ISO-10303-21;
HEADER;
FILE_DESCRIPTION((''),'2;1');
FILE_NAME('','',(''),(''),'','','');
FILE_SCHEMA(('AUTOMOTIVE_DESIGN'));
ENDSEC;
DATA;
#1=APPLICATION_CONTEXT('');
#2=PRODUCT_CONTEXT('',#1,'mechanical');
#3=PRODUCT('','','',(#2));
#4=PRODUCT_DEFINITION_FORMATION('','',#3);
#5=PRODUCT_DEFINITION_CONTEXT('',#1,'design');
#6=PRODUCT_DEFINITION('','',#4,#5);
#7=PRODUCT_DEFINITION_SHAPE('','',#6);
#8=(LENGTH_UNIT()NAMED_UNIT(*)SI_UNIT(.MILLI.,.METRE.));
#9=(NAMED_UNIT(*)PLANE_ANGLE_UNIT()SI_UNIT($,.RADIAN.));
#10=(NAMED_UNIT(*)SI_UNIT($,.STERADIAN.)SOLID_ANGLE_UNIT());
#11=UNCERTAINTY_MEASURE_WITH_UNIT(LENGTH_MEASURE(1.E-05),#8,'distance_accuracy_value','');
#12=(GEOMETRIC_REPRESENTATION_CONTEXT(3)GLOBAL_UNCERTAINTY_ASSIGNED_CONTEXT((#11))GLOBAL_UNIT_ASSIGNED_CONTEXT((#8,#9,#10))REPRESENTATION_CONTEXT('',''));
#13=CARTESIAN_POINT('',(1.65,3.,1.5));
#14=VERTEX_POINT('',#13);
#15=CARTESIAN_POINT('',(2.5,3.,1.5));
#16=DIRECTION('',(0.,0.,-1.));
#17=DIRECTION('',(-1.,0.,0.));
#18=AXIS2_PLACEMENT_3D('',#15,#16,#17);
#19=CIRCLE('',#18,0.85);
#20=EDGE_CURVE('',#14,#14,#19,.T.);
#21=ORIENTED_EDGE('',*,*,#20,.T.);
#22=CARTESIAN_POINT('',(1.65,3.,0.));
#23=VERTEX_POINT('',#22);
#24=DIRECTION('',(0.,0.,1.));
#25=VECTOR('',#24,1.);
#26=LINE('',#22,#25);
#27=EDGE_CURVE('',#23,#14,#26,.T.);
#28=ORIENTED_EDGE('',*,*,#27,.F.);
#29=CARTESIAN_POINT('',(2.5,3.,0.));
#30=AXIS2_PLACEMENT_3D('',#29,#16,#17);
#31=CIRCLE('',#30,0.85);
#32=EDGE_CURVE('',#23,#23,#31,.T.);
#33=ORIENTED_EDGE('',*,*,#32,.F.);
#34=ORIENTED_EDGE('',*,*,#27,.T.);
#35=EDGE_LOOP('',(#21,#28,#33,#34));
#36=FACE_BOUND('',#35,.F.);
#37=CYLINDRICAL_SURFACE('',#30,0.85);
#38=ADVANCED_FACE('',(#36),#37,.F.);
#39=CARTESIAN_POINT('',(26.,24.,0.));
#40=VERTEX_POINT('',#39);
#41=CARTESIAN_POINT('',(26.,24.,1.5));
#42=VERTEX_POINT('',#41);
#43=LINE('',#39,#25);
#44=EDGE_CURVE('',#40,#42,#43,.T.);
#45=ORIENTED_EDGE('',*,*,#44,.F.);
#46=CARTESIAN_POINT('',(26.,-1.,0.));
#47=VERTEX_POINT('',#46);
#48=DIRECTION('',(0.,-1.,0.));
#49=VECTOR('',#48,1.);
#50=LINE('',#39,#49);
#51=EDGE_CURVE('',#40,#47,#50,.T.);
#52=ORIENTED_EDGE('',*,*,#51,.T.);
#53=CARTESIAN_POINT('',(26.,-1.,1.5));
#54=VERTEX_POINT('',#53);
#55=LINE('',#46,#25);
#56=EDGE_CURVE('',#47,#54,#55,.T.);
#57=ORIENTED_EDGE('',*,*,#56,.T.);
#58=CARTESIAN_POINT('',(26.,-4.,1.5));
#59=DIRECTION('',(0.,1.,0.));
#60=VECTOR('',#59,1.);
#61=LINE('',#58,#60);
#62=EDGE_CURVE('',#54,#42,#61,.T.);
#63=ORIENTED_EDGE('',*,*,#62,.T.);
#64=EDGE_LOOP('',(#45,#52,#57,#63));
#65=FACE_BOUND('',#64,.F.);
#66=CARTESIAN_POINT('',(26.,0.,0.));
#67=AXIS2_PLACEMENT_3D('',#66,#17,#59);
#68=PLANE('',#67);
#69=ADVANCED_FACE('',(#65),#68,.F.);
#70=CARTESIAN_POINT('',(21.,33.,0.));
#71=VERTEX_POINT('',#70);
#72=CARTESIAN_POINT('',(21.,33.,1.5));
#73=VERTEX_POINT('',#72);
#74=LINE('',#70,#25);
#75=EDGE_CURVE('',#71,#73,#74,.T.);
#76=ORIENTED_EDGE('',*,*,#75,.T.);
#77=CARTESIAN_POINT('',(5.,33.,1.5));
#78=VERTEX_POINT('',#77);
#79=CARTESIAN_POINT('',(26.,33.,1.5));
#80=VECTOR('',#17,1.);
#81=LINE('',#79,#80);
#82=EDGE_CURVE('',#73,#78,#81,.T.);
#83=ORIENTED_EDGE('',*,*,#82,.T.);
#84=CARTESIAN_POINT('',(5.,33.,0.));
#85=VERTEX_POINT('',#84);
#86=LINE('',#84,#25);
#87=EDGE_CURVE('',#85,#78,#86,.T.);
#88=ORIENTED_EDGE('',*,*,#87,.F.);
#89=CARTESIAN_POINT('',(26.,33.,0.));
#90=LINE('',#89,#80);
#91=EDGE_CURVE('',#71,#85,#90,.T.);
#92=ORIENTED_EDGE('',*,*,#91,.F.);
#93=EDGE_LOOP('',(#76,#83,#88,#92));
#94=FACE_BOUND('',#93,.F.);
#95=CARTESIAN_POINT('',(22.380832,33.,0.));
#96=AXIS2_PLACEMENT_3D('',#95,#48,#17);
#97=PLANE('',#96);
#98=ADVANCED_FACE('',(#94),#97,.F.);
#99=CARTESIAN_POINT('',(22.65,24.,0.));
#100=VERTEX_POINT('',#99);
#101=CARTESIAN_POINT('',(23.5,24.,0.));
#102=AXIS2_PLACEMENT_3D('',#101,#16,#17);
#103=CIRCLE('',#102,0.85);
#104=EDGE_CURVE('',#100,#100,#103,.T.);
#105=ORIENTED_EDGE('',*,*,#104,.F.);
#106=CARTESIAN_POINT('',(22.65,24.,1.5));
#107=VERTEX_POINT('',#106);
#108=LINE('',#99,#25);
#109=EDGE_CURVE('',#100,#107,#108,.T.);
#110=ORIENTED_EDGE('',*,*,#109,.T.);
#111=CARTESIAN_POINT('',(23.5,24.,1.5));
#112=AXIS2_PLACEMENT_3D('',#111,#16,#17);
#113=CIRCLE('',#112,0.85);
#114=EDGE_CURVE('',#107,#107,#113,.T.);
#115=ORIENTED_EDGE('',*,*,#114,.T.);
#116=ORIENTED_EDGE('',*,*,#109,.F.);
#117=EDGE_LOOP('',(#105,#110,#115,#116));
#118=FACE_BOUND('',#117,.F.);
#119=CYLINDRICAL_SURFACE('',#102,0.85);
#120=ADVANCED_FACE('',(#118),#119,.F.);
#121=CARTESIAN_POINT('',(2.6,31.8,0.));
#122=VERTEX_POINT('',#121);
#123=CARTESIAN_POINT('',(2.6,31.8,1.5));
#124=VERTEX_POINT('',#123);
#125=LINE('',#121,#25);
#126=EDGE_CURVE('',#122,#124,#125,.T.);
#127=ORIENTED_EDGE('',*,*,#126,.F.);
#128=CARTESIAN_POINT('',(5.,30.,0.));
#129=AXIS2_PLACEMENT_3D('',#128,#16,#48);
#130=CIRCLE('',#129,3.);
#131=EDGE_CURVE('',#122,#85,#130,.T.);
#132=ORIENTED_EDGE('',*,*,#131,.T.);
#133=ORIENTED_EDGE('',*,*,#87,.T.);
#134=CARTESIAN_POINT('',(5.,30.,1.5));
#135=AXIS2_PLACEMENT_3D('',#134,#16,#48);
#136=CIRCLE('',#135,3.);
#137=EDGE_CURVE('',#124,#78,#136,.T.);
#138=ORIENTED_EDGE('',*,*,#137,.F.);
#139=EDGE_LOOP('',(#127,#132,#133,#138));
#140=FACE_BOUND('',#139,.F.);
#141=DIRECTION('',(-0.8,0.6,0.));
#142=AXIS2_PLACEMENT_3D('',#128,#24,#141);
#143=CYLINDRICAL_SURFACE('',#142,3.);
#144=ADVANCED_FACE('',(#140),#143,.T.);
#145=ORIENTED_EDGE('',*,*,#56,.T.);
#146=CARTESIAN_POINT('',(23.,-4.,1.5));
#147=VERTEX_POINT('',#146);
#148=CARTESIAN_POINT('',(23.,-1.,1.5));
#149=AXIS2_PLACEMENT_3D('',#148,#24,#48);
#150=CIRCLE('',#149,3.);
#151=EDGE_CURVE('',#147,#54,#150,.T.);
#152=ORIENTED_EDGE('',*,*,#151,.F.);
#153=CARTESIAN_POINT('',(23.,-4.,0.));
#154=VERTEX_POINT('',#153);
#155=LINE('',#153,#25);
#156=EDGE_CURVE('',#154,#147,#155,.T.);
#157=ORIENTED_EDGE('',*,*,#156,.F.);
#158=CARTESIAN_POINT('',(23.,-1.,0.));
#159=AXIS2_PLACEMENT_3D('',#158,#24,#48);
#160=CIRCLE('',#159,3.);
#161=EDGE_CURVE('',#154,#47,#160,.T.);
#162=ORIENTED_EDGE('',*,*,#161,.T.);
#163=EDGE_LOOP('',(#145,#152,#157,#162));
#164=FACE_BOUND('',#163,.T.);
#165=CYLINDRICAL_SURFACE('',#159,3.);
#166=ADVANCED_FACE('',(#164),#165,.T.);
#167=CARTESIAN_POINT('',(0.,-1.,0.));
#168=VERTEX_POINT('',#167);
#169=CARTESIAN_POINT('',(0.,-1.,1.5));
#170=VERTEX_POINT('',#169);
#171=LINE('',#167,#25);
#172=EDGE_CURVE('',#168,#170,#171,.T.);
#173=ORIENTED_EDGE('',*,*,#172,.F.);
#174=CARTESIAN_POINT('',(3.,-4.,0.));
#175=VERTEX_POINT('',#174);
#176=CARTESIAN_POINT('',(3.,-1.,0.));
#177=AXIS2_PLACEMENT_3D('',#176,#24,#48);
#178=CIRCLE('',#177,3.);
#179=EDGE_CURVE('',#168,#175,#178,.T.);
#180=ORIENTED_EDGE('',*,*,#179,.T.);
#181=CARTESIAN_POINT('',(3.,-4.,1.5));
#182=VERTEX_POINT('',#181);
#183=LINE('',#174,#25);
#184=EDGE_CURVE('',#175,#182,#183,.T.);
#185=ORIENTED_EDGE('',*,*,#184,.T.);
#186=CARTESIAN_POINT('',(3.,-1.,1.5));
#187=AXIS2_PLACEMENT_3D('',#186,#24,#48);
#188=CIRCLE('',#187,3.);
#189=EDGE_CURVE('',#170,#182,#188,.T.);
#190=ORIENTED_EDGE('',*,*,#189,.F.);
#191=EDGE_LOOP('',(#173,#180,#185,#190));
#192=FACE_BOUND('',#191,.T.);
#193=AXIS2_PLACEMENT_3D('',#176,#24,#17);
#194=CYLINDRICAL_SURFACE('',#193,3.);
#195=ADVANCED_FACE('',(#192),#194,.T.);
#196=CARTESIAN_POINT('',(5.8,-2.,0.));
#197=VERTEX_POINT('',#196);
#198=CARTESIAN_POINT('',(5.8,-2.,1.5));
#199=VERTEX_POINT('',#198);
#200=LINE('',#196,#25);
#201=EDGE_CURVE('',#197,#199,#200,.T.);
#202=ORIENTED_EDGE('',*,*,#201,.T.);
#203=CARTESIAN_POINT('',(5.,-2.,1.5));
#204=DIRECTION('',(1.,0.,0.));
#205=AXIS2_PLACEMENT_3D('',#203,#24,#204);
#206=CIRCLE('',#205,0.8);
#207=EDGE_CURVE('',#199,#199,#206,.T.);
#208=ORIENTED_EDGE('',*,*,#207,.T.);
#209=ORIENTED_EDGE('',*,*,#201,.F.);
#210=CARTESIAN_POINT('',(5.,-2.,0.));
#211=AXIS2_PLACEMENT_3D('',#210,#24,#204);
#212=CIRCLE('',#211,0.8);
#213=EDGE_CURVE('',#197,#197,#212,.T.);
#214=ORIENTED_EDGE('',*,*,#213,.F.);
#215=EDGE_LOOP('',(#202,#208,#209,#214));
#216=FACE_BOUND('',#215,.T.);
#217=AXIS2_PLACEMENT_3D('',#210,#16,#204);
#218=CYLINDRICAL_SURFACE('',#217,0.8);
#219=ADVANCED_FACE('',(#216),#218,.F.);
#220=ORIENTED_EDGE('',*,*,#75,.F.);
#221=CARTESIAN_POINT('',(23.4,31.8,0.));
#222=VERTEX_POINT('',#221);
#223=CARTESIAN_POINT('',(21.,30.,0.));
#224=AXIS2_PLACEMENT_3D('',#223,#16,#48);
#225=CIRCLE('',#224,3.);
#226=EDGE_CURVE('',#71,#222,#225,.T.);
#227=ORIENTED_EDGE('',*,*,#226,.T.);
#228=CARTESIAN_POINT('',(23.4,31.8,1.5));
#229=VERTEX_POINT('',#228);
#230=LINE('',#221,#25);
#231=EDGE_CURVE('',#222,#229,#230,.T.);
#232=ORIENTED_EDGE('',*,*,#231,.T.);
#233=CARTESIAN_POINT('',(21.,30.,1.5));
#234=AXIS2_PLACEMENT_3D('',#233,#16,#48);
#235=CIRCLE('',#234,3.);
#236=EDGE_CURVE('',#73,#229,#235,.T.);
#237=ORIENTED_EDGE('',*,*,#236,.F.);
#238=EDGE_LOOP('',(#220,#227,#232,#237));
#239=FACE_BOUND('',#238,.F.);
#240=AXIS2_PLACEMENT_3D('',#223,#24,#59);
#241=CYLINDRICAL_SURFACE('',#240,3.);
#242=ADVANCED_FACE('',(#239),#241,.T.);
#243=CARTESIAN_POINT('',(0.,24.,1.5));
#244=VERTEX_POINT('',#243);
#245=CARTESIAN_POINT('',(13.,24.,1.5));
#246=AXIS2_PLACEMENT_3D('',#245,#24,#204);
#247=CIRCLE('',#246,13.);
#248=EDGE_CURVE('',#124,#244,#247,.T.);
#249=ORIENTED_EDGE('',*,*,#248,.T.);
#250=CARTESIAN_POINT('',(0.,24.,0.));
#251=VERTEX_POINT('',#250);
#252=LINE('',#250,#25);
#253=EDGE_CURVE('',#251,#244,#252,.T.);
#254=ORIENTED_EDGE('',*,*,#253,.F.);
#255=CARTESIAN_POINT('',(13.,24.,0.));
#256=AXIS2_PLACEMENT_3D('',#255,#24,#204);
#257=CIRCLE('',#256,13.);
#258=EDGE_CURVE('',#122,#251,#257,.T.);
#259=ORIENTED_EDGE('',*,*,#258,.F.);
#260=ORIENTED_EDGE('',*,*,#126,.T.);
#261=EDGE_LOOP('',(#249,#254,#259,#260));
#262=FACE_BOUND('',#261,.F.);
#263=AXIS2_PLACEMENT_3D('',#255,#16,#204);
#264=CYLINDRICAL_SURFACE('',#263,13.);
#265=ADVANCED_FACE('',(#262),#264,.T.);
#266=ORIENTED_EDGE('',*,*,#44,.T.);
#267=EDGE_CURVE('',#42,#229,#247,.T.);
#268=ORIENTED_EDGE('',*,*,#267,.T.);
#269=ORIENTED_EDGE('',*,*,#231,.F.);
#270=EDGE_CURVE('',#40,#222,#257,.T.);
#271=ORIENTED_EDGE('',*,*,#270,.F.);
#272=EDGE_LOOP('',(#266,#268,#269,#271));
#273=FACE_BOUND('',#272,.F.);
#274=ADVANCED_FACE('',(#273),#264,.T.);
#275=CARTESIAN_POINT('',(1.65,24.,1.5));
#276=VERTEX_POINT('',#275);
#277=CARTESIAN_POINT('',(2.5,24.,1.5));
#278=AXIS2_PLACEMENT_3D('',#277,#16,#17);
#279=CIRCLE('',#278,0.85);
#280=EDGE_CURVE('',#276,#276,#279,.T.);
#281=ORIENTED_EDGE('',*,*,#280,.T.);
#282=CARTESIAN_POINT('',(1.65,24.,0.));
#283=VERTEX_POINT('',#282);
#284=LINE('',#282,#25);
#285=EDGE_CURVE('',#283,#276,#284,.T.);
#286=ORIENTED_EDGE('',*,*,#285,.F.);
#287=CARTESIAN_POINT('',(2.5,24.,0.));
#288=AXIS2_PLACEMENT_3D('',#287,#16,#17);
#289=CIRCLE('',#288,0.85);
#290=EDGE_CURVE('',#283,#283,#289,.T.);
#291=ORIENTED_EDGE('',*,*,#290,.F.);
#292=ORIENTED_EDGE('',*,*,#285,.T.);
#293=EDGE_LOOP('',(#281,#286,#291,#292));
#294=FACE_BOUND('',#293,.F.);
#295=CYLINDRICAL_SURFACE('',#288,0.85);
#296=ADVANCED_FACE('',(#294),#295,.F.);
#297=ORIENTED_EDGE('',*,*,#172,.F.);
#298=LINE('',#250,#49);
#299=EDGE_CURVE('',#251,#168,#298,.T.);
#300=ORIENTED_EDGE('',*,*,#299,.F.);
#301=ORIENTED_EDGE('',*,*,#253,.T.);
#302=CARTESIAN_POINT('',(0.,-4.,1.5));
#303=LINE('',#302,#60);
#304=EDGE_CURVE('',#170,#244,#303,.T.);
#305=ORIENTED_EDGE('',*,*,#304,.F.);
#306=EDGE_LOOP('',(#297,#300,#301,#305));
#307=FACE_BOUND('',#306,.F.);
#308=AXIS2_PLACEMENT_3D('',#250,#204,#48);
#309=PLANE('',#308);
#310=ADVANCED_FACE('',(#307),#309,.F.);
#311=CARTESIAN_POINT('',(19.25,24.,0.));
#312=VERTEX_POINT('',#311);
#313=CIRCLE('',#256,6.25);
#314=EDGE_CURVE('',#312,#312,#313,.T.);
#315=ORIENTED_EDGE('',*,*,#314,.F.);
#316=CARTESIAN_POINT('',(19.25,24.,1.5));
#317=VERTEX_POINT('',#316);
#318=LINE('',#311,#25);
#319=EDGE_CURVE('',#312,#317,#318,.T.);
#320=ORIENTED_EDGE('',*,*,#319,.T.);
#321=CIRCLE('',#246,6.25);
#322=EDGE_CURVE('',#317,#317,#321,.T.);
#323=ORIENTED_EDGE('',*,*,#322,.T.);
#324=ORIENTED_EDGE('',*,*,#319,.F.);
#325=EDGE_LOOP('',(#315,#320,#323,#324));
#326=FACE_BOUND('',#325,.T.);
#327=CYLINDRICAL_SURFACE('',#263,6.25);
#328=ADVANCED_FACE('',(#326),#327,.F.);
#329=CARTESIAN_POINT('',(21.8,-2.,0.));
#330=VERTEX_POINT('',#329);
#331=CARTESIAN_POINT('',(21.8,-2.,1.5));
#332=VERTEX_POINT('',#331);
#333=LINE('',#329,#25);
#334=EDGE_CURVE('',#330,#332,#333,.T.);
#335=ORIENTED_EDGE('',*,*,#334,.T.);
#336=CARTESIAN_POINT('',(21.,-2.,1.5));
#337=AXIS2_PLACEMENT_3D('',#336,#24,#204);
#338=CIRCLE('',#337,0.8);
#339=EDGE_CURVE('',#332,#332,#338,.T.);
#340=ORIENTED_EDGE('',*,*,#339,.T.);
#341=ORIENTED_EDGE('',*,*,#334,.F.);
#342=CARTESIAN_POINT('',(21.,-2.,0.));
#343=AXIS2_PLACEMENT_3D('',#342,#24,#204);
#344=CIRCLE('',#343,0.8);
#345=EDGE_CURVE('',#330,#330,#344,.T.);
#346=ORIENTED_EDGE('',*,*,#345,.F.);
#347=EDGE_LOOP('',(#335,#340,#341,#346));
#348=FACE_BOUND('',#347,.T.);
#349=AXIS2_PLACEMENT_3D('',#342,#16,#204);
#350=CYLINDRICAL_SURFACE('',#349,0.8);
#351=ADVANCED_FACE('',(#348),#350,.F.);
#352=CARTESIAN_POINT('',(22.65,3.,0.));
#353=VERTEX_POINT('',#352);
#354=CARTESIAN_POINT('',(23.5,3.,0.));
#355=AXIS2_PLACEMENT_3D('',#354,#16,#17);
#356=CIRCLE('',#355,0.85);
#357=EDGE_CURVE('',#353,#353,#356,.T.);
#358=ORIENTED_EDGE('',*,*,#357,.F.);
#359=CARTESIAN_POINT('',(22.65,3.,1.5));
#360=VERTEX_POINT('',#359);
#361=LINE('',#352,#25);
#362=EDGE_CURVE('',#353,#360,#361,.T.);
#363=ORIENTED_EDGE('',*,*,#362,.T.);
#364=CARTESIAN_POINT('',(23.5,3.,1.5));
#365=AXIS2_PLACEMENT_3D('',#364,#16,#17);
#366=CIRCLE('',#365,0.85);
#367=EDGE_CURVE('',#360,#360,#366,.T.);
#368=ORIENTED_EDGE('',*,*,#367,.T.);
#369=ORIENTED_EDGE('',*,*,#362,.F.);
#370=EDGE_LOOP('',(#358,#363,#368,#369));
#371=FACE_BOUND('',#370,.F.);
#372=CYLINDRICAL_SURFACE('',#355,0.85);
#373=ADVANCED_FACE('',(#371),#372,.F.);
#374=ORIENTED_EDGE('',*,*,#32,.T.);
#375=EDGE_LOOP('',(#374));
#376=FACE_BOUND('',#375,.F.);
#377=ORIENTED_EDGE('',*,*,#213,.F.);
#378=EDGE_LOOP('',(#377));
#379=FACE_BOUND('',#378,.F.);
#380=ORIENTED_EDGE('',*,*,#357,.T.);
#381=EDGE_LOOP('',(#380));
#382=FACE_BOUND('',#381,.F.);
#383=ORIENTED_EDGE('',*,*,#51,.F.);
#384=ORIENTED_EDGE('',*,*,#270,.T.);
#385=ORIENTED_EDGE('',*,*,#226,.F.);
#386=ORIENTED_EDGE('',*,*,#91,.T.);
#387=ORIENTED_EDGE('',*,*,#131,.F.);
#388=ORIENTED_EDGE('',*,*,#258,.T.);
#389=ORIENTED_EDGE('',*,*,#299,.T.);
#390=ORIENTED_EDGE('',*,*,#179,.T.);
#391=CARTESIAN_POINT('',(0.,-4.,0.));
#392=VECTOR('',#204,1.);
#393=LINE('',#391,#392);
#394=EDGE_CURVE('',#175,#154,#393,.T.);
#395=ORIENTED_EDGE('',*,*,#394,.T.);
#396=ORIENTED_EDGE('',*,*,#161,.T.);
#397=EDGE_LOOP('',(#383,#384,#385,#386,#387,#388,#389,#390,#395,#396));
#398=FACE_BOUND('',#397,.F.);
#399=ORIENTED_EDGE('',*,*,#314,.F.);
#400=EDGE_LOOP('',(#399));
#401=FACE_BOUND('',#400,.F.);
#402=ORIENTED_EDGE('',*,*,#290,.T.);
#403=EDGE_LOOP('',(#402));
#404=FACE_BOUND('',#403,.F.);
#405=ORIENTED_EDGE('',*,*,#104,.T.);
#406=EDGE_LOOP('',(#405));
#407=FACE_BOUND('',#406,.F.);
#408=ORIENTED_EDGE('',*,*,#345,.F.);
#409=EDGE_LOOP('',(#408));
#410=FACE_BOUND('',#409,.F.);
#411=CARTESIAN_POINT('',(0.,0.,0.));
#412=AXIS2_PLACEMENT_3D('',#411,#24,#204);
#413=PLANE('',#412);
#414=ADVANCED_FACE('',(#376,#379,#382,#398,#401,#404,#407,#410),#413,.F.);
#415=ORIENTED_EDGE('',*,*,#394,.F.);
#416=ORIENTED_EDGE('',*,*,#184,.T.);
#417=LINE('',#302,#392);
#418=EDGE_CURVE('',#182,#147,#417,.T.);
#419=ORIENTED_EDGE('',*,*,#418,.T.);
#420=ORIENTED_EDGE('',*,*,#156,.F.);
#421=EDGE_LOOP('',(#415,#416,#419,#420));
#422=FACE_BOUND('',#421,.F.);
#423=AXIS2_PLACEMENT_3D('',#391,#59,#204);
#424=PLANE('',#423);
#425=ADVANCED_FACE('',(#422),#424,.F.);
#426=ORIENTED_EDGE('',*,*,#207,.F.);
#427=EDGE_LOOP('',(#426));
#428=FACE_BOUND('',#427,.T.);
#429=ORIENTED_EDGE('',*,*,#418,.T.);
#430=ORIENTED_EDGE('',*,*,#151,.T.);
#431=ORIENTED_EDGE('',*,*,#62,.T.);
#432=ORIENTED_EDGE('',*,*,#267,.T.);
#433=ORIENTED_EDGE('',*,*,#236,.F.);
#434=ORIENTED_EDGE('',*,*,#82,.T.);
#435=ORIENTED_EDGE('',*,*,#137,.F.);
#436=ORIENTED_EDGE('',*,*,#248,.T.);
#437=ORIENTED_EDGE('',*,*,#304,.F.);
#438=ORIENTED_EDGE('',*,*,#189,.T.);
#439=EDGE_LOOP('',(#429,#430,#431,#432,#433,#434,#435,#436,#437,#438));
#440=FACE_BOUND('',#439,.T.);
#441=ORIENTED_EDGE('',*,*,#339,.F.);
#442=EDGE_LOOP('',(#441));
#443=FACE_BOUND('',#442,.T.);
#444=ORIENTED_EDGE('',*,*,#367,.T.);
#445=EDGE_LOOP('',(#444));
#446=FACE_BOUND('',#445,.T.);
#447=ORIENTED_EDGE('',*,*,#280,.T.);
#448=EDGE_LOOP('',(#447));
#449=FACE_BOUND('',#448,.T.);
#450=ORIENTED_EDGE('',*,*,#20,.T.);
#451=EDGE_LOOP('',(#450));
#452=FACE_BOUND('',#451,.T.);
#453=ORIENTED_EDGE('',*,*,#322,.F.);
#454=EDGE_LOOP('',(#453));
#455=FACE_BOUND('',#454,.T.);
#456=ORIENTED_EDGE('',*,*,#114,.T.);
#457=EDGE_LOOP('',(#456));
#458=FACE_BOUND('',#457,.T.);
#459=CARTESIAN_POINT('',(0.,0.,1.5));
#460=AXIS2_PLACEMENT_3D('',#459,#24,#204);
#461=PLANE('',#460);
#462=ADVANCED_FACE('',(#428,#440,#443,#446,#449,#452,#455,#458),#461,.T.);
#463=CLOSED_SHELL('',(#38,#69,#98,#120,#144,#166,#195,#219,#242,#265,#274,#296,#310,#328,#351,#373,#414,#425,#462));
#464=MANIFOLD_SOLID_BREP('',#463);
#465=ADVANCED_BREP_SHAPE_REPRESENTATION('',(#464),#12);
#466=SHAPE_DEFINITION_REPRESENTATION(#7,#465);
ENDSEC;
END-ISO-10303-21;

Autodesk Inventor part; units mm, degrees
ref_plane "YZ Plane" through (0, 0, 0) normal (1, 0, 0) x (0, 1, 0)
ref_plane "XZ Plane" through (0, 0, 0) normal (0, 1, 0) x (-1, 0, 0)
ref_plane "XY Plane" through (0, 0, 0) normal (0, 0, 1) x (1, 0, 0)
sketch "スケッチ2" plane through (0, 0, 0) normal (0, 0, 1) x (1, 0, 0)
  line L0 (0, 0) -> (26, 0)
  line L1 (26, 0) -> (26, 33)
  line L2 (26, 33) -> (0, 33)
  line L3 (0, 33) -> (0, 0)
  line L4 (0, 0) -> (26, 0)
  line L5 (26, 0) -> (26, 24)
  line L6 (26, 24) -> (0, 24) construction
  line L7 (0, 24) -> (0, 0)
  circle A0 centre (13, 24) radius 13
  circle A1 centre (13, 24) radius 6.25
  line L8 (26, 0) -> (0, 0)
  line L9 (0, 0) -> (0, -4)
  line L10 (0, -4) -> (26, -4)
  line L11 (26, -4) -> (26, 0)
  circle A2 centre (21, -2) radius 0.8
  circle A3 centre (5, -2) radius 0.8
  point P0 (22.3808, 33)
  point P1 (3.6192, 33)
  point P2 (26, -2)
  dimension "d0" = 26
  dimension "d1" = 33
  dimension "d2" = 24
  dimension "d3" = 12.5
  dimension "d8" = 4
  dimension "d9" = 1.6
  dimension "d10" = 1.6
  dimension "d12" = 5
  dimension "d13" = 5
extrude "押し出し1" add sketch "スケッチ2" along normal blind 1.5 contours L3 A0 L1 L0 | L0 L11 L10 L9 | A0 L2 picked at (12.7489, 32.0681)
sketch "スケッチ3" plane through (0, 0, 0) normal (0, 0, -1) x (-1, 0, 0)
  circle A0 centre (-2.5, 24) radius 0.85 projected
  circle A1 centre (-23.5, 24) radius 0.85 projected
  circle A2 centre (-23.5, 3) radius 0.85 projected
  circle A3 centre (-2.5, 3) radius 0.85 projected
  point P0 (0, 0)
extrude "押し出し2" cut sketch "スケッチ3" against normal through all
fillet "フィレット1" radius 3 4 edges at (22.3808, 33, 0.75) (3.6192, 33, 0.75) (26, -4, 0.75) (0, -4, 0.75)
equation "\"d13\" = d12"
equation "\"BendRadius\" = Thickness"
equation "\"BendReliefWidth\" = Thickness"
equation "\"BendReliefDepth\" = 0.5 * Thickness"
equation "\"CornerReliefSize\" = 4 * Thickness"
equation "\"MinimumRemnant\" = 2 * Thickness"
equation "\"TransitionRadius\" = BendRadius"
equation "\"JacobiRadiusSize\" = BendRadius"
equation "\"GapSize\" = Thickness"
equation "\"Thickness\" = 3.048"
properties part number "arm" material "アルミニウム 6061"
